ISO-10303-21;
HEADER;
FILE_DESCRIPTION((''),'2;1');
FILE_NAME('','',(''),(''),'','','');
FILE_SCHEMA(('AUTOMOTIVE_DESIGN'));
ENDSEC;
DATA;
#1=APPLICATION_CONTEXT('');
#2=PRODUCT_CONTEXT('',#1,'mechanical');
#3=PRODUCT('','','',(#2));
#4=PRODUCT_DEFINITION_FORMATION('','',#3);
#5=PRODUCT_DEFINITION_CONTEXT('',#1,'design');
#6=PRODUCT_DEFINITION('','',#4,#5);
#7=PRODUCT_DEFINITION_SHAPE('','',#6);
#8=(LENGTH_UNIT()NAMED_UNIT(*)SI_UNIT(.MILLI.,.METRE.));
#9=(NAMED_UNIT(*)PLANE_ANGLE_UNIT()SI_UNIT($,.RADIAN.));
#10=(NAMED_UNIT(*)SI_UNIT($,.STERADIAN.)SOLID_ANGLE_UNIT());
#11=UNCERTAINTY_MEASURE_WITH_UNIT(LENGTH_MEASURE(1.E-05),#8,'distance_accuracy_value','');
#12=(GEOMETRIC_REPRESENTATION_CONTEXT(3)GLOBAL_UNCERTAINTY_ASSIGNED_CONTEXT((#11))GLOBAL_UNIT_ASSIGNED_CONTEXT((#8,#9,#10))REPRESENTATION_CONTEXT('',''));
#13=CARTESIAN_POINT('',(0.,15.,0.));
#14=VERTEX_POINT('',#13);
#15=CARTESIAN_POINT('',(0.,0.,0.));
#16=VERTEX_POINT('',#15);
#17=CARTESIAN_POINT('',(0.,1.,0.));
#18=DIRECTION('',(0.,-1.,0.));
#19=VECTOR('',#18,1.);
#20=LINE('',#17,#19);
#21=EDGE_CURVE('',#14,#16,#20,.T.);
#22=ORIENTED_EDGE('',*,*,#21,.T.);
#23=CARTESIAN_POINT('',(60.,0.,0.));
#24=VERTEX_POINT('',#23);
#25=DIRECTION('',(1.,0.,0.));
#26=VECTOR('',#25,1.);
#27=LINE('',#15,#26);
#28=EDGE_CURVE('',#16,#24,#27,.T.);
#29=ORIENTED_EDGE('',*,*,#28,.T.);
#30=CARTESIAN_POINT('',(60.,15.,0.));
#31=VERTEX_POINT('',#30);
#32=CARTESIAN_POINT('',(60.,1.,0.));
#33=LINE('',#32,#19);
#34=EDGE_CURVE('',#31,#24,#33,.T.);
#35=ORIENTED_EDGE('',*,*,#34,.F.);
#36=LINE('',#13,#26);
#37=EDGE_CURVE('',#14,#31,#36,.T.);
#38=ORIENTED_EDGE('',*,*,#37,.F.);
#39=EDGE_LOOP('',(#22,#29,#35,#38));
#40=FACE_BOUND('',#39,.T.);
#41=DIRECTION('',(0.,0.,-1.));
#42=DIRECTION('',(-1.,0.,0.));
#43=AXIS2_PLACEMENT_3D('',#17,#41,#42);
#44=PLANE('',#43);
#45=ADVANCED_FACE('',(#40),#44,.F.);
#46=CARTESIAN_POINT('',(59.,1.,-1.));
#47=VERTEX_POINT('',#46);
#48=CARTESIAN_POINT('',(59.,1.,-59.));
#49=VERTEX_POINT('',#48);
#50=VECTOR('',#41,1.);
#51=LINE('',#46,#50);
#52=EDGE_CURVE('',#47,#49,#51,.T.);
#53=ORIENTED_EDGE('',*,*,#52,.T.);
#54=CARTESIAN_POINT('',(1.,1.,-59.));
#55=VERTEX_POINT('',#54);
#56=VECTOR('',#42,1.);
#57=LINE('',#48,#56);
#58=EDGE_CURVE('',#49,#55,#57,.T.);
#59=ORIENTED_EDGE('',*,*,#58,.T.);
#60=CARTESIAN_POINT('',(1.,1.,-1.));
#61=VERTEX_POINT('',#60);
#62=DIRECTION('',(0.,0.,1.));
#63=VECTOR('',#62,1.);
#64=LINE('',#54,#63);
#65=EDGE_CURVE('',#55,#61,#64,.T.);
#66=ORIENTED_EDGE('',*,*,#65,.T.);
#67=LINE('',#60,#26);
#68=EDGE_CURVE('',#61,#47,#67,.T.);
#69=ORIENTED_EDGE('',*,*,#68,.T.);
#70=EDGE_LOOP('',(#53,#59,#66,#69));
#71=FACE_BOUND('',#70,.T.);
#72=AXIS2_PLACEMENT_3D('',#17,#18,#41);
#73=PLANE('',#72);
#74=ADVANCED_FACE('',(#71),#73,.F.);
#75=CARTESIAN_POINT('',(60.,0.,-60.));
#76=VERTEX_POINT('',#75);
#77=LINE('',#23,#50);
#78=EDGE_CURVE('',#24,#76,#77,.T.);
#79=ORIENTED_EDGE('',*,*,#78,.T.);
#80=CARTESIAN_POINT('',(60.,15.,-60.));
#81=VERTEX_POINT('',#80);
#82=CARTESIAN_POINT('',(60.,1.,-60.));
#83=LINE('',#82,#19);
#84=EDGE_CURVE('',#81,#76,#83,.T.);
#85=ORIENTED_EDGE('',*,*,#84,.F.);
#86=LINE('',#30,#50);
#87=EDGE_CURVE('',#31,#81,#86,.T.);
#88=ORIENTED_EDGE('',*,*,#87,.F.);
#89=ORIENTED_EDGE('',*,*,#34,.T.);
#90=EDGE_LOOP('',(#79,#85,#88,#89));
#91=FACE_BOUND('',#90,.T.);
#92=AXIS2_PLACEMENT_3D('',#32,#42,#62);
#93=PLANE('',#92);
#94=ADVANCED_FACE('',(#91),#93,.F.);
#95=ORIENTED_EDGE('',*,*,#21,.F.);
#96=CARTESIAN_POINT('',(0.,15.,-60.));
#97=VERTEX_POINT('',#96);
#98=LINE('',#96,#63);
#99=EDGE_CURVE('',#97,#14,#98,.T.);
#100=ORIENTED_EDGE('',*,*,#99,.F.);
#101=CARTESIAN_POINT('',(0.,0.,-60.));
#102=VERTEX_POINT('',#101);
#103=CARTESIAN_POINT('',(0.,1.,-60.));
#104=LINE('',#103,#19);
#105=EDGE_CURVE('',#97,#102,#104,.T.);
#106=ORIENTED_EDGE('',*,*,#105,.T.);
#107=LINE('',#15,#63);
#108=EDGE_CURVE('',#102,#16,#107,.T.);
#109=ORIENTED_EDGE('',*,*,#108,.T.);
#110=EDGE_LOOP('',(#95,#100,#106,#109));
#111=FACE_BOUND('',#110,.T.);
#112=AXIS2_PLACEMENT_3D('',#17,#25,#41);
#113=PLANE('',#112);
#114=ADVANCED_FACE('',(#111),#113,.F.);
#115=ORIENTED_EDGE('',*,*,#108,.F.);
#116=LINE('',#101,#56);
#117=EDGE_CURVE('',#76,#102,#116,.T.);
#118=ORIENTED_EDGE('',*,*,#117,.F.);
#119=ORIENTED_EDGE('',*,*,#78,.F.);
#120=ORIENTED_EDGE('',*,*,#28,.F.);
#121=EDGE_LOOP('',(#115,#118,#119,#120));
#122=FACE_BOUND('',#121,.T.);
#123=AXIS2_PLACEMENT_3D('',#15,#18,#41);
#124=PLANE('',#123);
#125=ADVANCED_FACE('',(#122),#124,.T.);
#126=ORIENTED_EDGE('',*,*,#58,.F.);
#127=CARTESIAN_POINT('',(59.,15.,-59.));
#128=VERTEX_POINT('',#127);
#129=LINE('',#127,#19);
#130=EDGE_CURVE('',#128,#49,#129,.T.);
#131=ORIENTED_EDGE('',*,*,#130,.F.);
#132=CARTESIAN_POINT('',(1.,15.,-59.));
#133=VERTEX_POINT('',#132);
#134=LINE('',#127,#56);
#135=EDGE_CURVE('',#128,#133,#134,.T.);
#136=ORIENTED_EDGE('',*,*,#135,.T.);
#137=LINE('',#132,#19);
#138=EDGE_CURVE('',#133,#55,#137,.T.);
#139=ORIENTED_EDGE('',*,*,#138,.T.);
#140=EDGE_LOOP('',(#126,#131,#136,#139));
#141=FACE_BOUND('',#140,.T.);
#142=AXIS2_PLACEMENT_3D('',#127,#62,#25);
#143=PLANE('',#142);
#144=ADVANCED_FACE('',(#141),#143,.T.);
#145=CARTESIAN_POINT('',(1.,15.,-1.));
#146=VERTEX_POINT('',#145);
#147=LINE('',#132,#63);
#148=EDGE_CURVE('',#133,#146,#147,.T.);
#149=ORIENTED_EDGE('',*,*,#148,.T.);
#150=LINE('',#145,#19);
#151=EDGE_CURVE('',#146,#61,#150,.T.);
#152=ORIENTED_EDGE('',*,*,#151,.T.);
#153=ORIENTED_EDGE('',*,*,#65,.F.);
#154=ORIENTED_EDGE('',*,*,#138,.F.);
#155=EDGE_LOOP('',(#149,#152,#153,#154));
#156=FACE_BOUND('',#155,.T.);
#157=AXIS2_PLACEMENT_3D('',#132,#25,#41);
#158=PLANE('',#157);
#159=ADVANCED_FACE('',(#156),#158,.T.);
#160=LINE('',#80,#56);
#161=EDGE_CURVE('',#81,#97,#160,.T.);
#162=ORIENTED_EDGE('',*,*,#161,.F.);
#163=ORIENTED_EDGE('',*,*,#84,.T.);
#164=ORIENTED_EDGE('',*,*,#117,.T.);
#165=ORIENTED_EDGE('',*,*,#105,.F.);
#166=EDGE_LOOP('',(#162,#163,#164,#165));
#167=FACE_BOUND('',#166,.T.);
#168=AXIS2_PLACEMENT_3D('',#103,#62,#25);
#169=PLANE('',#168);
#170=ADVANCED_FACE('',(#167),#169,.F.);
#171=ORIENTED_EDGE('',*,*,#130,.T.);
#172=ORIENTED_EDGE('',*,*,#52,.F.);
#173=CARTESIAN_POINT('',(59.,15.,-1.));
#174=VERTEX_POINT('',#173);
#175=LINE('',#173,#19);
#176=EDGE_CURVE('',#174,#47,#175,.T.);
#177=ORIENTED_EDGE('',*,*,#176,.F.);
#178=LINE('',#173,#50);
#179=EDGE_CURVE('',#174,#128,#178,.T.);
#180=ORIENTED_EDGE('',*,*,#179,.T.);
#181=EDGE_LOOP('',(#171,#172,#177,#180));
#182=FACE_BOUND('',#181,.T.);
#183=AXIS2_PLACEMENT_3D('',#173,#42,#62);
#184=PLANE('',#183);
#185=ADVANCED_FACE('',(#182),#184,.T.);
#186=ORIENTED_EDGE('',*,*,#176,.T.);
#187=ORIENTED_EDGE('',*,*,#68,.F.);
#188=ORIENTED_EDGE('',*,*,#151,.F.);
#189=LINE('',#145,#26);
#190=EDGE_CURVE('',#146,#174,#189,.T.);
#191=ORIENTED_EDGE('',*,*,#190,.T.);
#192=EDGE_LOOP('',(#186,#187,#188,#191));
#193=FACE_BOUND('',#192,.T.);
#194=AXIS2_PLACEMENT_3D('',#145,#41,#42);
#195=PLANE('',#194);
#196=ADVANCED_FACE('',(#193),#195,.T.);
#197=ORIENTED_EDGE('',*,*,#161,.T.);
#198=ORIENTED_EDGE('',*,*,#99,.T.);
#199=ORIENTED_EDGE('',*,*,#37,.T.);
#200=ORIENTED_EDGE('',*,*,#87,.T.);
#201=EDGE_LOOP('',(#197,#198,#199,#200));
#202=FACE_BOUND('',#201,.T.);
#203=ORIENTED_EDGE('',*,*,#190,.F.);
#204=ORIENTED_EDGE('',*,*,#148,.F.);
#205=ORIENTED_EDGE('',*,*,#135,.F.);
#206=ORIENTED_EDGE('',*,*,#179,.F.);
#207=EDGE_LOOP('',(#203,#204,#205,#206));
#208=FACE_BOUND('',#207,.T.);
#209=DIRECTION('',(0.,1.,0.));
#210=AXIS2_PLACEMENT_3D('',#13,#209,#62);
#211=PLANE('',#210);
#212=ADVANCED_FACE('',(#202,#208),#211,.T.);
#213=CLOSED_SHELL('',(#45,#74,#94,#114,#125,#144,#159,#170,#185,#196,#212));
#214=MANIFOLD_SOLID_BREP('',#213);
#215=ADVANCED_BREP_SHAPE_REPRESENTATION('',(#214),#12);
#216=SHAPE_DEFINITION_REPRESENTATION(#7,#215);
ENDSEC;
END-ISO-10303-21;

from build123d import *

# Parameters (mm, degrees)
SKETCH1_W           = 60
SKETCH1_H           = 60
BOSS_EXTRUDE1_DEPTH = 1
SKETCH2_W           = 60
SKETCH2_H           = 60
SKETCH2_W_2         = 58
SKETCH2_H_2         = 58
BOSS_EXTRUDE2_DEPTH = 14


with BuildPart() as part:
    # Sketch1 → Boss-Extrude1 (new body)
    with BuildSketch(Plane(origin=(0, 0, 0), x_dir=(1, 0, 0), z_dir=(0, 1, 0))):
        with Locations((30, 30)):
            Rectangle(SKETCH1_W, SKETCH1_H)
    extrude(amount=BOSS_EXTRUDE1_DEPTH)

    # Sketch2 → Boss-Extrude2 (add)
    with BuildSketch(Plane(origin=(0, 1, 0), x_dir=(1, 0, 0), z_dir=(0, 1, 0))):
        with Locations((30, 30)):
            Rectangle(SKETCH2_W, SKETCH2_H)
        with Locations((30, 30)):
            Rectangle(SKETCH2_W_2, SKETCH2_H_2, mode=Mode.SUBTRACT)
    extrude(amount=BOSS_EXTRUDE2_DEPTH)


solid = part.part
